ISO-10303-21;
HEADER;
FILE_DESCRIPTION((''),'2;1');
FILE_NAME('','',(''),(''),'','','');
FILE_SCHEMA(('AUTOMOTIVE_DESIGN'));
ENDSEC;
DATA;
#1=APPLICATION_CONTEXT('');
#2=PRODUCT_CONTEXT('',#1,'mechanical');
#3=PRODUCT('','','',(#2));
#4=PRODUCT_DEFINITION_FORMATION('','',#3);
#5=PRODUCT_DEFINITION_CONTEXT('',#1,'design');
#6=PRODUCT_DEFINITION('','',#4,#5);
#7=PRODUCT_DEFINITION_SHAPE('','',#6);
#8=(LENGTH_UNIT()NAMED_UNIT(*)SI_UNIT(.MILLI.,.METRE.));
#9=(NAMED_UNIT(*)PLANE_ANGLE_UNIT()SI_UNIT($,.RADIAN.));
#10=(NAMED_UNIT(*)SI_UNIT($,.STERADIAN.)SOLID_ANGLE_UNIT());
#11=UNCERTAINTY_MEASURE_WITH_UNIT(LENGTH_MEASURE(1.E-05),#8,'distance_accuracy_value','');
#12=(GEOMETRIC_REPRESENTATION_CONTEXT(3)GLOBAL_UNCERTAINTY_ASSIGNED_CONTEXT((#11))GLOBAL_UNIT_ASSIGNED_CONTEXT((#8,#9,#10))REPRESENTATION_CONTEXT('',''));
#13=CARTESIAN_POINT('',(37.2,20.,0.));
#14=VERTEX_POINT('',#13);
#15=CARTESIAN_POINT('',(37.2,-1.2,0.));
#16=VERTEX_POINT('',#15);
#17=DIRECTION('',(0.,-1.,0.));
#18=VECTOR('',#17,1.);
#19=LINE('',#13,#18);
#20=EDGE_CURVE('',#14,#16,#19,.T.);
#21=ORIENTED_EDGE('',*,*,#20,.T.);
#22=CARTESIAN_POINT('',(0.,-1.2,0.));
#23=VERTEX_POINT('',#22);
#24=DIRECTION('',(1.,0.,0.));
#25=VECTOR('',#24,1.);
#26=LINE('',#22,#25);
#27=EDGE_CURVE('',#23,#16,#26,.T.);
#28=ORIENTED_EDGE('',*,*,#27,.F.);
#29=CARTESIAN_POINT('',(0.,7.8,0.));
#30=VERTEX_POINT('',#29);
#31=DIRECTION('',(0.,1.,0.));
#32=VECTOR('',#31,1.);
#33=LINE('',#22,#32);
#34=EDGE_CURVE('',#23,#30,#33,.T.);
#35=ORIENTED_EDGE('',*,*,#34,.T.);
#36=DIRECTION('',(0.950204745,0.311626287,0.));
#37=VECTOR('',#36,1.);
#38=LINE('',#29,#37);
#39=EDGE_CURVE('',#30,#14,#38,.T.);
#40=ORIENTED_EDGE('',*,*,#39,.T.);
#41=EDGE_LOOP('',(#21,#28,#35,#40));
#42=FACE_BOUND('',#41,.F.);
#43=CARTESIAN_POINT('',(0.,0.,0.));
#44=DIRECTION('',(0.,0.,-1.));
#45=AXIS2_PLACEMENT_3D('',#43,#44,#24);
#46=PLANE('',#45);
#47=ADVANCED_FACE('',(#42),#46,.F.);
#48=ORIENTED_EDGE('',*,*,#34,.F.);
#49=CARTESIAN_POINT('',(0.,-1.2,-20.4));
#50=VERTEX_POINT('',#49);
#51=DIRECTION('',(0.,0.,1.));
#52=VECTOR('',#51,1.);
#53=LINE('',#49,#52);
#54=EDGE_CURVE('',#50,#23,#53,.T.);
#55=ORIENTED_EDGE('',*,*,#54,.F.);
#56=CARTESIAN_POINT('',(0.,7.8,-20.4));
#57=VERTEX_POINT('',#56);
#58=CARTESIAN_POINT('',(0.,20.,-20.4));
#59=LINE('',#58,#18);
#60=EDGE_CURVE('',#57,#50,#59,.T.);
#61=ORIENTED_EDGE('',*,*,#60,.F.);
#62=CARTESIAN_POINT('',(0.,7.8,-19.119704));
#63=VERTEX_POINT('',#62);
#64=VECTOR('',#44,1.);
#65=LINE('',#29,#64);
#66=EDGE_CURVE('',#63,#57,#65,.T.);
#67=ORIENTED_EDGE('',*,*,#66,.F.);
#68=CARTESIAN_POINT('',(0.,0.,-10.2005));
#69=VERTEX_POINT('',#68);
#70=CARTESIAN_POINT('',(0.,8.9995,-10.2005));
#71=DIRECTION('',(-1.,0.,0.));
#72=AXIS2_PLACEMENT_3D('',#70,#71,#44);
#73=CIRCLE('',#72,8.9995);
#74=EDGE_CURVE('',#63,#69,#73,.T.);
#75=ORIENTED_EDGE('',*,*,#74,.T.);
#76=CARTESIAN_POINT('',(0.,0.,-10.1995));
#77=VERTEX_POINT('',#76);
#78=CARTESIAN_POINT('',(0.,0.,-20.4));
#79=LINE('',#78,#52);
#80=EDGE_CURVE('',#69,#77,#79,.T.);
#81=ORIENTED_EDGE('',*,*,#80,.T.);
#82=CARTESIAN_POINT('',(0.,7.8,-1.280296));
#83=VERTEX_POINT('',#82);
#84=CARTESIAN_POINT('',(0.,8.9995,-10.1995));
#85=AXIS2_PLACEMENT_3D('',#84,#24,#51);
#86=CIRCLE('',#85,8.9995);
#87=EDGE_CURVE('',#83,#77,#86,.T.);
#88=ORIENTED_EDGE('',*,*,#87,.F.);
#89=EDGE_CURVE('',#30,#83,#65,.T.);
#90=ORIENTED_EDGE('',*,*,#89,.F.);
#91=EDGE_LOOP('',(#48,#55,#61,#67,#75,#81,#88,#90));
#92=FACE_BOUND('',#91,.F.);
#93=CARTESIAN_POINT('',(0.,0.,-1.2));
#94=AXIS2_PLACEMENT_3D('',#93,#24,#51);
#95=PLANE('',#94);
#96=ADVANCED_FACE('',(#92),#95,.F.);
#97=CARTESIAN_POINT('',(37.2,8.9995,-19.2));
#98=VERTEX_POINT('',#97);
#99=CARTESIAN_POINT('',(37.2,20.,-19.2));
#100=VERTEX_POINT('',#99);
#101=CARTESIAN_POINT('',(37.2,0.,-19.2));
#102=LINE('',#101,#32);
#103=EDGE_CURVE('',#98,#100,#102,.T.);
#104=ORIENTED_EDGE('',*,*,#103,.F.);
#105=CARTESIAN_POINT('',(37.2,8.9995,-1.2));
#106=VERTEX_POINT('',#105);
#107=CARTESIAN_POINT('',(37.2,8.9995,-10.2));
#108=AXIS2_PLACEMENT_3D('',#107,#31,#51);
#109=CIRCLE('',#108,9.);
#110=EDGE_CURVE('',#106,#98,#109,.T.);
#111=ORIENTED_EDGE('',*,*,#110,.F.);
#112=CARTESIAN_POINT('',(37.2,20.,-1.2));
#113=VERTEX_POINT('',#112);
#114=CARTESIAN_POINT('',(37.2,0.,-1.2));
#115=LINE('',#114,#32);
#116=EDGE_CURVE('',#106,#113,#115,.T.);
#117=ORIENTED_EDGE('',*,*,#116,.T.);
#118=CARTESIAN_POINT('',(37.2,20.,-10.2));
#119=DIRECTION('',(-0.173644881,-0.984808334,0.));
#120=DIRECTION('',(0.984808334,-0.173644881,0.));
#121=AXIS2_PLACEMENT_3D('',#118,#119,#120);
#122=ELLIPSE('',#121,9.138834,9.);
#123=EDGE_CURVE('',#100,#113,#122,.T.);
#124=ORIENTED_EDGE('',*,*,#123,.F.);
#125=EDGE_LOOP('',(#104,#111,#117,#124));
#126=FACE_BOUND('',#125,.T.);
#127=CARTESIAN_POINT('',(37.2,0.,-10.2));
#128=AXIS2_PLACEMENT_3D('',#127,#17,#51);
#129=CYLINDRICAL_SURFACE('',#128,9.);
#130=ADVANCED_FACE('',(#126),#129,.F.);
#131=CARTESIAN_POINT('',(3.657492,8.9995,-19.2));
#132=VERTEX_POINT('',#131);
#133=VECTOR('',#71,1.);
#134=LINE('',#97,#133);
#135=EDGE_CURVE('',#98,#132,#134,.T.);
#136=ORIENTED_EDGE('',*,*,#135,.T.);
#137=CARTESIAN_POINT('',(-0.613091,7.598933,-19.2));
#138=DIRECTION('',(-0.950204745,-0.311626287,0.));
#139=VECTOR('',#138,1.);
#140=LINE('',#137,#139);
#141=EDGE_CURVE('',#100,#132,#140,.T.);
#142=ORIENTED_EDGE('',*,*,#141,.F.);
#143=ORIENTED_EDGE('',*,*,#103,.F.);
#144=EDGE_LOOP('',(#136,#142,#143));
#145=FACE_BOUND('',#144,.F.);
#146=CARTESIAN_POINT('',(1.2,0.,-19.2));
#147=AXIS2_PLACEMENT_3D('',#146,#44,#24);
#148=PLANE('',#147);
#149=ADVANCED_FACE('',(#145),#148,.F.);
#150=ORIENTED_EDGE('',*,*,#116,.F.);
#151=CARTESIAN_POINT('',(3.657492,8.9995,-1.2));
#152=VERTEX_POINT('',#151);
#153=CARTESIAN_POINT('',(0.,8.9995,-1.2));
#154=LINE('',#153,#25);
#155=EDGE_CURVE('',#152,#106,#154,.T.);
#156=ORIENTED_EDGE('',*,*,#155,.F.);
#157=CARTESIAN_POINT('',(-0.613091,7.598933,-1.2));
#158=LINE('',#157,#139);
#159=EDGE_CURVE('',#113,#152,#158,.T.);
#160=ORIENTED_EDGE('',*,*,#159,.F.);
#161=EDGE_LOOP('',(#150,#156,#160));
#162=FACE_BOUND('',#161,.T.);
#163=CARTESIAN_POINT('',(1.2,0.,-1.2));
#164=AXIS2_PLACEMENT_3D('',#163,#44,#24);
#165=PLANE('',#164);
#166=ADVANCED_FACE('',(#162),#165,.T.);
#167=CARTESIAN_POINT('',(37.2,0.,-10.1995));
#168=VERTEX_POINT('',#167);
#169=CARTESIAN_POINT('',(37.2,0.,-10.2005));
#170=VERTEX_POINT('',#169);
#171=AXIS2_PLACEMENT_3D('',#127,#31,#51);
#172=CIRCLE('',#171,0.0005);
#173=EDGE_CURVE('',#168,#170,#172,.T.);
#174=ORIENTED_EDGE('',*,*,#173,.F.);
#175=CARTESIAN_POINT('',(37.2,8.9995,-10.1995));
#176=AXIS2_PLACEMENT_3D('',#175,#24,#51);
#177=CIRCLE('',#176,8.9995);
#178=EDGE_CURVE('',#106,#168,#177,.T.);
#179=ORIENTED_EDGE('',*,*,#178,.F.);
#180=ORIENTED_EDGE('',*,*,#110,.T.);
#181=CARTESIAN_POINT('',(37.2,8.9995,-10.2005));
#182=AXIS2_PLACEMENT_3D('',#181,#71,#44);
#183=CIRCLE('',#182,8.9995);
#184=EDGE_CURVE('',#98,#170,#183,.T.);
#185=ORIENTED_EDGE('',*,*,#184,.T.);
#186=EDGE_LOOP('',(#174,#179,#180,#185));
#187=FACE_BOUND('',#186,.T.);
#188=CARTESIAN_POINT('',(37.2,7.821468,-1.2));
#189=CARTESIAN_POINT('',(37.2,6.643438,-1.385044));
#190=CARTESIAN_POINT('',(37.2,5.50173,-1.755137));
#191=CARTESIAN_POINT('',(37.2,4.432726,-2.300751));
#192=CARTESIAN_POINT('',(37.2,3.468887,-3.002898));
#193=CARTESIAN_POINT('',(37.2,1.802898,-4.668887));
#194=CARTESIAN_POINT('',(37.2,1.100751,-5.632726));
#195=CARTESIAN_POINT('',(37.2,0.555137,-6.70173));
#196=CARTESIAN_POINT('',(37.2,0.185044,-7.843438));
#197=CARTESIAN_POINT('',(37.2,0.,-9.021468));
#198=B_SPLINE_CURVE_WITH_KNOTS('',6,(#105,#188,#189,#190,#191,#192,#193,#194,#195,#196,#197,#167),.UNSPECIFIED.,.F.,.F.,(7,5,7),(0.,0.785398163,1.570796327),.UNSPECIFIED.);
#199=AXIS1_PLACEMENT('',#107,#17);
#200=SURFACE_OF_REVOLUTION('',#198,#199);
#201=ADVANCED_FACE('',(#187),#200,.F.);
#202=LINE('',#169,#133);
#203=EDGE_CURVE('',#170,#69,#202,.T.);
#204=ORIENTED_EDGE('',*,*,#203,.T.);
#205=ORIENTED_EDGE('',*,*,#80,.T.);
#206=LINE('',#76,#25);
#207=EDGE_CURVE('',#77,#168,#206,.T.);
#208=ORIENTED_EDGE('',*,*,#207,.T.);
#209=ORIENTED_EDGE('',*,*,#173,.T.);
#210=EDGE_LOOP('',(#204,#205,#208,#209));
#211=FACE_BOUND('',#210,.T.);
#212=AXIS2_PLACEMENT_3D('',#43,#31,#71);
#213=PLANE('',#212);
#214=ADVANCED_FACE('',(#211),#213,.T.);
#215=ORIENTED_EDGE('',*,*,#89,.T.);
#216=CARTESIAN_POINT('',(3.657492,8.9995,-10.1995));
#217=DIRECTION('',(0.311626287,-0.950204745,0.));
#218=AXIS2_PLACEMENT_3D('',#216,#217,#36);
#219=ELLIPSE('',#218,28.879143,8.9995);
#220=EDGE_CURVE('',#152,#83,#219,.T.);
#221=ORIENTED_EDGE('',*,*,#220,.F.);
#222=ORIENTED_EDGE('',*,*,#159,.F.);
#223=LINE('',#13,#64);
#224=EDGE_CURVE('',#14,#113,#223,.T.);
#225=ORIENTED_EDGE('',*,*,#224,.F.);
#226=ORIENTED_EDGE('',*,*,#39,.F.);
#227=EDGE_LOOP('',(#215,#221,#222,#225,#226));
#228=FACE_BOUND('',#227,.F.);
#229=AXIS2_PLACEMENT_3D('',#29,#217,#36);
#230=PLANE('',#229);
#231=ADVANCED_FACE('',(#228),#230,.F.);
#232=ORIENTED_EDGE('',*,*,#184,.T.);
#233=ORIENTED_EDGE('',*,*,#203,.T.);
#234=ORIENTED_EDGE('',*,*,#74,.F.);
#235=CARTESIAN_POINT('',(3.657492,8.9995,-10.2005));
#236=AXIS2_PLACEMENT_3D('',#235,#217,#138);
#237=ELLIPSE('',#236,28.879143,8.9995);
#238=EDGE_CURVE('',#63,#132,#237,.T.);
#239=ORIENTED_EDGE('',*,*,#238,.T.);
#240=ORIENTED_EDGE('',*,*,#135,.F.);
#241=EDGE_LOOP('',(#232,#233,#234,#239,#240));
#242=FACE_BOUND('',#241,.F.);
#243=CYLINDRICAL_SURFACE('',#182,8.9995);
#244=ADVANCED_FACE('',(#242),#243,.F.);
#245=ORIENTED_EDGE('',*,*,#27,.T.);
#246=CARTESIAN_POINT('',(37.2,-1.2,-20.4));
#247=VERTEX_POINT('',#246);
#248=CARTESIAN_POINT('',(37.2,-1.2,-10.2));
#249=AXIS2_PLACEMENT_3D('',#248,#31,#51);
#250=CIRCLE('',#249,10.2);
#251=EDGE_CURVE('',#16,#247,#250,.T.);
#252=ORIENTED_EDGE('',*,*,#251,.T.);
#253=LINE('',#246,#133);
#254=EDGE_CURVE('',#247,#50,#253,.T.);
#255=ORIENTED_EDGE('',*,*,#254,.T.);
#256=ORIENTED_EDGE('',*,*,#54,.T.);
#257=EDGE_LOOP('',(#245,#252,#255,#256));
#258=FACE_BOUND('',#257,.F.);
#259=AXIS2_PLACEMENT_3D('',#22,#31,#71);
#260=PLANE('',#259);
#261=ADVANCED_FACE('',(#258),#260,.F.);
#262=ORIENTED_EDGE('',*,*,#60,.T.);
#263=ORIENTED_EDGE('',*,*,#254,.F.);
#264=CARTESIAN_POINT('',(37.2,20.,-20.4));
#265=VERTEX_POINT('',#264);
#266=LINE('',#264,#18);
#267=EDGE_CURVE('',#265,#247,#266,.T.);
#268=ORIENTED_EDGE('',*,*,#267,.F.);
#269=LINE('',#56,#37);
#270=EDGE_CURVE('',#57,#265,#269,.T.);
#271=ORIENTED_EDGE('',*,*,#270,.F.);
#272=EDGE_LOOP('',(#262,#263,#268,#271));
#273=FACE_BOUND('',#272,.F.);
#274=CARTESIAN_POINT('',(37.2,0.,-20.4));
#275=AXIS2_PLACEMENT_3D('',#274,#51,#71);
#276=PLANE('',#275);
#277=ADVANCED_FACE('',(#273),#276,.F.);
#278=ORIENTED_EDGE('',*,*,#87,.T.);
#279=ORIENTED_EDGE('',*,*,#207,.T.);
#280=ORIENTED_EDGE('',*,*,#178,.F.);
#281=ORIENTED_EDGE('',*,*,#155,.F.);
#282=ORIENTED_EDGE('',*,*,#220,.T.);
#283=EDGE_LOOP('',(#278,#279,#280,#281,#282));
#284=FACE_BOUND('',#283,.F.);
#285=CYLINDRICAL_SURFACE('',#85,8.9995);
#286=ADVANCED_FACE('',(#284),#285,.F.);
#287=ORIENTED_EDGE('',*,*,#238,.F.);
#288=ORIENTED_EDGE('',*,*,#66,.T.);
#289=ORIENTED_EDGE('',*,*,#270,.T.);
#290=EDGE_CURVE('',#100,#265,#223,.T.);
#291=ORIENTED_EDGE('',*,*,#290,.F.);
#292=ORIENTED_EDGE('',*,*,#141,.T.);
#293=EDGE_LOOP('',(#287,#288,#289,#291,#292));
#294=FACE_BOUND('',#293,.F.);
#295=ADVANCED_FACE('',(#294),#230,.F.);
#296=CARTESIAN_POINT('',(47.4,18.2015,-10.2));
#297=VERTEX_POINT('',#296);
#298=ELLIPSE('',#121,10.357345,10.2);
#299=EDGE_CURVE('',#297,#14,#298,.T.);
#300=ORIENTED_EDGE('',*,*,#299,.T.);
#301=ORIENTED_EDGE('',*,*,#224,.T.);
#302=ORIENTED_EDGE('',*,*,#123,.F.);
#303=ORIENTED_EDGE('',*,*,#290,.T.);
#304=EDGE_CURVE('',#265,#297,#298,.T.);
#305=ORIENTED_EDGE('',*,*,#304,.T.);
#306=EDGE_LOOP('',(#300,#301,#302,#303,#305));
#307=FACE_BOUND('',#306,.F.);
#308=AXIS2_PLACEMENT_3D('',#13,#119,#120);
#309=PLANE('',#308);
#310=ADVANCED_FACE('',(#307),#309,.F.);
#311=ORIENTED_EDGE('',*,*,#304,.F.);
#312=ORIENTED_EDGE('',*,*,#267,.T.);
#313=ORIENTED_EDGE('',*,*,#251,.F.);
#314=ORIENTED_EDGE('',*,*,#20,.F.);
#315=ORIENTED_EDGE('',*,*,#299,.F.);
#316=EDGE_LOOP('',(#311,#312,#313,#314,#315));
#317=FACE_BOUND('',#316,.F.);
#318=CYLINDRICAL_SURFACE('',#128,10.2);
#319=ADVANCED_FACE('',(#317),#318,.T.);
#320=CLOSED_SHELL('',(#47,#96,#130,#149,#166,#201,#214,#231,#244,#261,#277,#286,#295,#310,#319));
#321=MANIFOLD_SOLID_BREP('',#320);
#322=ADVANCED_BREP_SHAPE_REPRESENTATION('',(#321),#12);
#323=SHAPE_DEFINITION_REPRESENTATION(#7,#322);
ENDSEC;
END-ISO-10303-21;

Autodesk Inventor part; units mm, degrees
ref_plane "YZ Plane" through (0, 0, 0) normal (1, 0, 0) x (0, 1, 0)
ref_plane "XZ Plane" through (0, 0, 0) normal (0, 1, 0) x (-1, 0, 0)
ref_plane "XY Plane" through (0, 0, 0) normal (0, 0, 1) x (1, 0, 0)
sketch "Esboço1" plane through (0, 0, 0) normal (0, 1, 0) x (-1, 0, 0)
  line L0 (-1.2, -1.2) -> (-37.2, -1.2)
  line L1 (-1.2, -19.2) -> (-1.2, -1.2)
  arc A0 (-37.2, -1.2) -> (-37.2, -19.2) centre (-37.2, -10.2) ccw
  line L2 (-1.2, -19.2) -> (-37.2, -19.2)
  line L3 (-37.2, -20.4) -> (0, -20.4)
  line L4 (0, -20.4) -> (0, 0)
  line L5 (0, 0) -> (-37.2, 0)
  arc A1 (-37.2, 0) -> (-37.2, -20.4) centre (-37.2, -10.2) ccw
  line L6 (-1.2, -1.2) -> (0, -1.2)
  line L7 (-1.2, -19.2) -> (0, -19.2)
  point P0 (-1.2, -10.2)
  dimension "d0" = 18
  dimension "d3" = 18
  dimension "d5" = 36
  dimension "d6" = 1.2
extrude "Extrusão1" add sketch "Esboço1" against normal blind 1.2
extrude "Extrusão2" add sketch "Esboço1" along normal blind 20 contours L0 A0 L2 L7 L4 L3 A1 L5 L6
fillet "Arredondamento1" radius 9 3 edges at (46.2, 0, -10.2) (18.6, 0, -1.2) (18.6, 0, -19.2)
sketch "Esboço2" plane through (0, -1.2, 0) normal (0, 0, 1) x (1, 0, 0)
  line L0 (37.2, 21.2) -> (46.2, 21.2) projected
  line L1 (37.2, 0) -> (0, 0) projected
  line L2 (37.2, 1.2) -> (37.2, 21.2) projected
  line L3 (0, 21.2) -> (0, 0) projected
  line L4 (47.4, 21.2) -> (37.2, 21.2) projected
  line L5 (0, 9) -> (37.2, 21.2)
  line L6 (37.2, 21.2) -> (0, 21.2)
  line L7 (0, 21.2) -> (37.2, 21.2) projected
  line L8 (37.2, 21.2) -> (47.4, 19.4015)
  line L9 (47.4, 21.2) -> (47.4, 0) projected
  line L10 (37.2, 21.2) -> (47.5574, 21.2) construction
  line L11 (47.4, 19.4015) -> (47.4, 21.2)
  line L12 (47.4, 21.2) -> (47.4, 0) projected
  line L13 (37.2, 21.2) -> (47.4, 21.2)
  line L14 (0, 9) -> (0, 21.2)
  point P0 (0, 1.2)
  point P1 (0, 10.6)
  point P2 (0, 10.6)
  dimension "d13" = 9
  dimension "d16" = 10
extrude "Extrusão3" cut sketch "Esboço2" against normal up to surface (20.4 mm away)
equation "\"d0\" = Diâmetro_esfera"
equation "\"d3\" = Diâmetro_esfera"
equation "\"d5\" = 2 * Diâmetro_esfera"
equation "\"d6\" = Margem"
equation "\"d7\" = Margem"
equation "\"d11\" = 0.5 * Diâmetro_esfera"
equation "\"d13\" = 0.5 * Diâmetro_esfera"
equation "\"Diâmetro_esfera\" = 18"
equation "\"Filamento\" = 0.4"
equation "\"Margem\" = 3 * Filamento"
equation "\"Parafuso\" = 3"
properties part number "Receptor pequeno" material "Plástico PET"
